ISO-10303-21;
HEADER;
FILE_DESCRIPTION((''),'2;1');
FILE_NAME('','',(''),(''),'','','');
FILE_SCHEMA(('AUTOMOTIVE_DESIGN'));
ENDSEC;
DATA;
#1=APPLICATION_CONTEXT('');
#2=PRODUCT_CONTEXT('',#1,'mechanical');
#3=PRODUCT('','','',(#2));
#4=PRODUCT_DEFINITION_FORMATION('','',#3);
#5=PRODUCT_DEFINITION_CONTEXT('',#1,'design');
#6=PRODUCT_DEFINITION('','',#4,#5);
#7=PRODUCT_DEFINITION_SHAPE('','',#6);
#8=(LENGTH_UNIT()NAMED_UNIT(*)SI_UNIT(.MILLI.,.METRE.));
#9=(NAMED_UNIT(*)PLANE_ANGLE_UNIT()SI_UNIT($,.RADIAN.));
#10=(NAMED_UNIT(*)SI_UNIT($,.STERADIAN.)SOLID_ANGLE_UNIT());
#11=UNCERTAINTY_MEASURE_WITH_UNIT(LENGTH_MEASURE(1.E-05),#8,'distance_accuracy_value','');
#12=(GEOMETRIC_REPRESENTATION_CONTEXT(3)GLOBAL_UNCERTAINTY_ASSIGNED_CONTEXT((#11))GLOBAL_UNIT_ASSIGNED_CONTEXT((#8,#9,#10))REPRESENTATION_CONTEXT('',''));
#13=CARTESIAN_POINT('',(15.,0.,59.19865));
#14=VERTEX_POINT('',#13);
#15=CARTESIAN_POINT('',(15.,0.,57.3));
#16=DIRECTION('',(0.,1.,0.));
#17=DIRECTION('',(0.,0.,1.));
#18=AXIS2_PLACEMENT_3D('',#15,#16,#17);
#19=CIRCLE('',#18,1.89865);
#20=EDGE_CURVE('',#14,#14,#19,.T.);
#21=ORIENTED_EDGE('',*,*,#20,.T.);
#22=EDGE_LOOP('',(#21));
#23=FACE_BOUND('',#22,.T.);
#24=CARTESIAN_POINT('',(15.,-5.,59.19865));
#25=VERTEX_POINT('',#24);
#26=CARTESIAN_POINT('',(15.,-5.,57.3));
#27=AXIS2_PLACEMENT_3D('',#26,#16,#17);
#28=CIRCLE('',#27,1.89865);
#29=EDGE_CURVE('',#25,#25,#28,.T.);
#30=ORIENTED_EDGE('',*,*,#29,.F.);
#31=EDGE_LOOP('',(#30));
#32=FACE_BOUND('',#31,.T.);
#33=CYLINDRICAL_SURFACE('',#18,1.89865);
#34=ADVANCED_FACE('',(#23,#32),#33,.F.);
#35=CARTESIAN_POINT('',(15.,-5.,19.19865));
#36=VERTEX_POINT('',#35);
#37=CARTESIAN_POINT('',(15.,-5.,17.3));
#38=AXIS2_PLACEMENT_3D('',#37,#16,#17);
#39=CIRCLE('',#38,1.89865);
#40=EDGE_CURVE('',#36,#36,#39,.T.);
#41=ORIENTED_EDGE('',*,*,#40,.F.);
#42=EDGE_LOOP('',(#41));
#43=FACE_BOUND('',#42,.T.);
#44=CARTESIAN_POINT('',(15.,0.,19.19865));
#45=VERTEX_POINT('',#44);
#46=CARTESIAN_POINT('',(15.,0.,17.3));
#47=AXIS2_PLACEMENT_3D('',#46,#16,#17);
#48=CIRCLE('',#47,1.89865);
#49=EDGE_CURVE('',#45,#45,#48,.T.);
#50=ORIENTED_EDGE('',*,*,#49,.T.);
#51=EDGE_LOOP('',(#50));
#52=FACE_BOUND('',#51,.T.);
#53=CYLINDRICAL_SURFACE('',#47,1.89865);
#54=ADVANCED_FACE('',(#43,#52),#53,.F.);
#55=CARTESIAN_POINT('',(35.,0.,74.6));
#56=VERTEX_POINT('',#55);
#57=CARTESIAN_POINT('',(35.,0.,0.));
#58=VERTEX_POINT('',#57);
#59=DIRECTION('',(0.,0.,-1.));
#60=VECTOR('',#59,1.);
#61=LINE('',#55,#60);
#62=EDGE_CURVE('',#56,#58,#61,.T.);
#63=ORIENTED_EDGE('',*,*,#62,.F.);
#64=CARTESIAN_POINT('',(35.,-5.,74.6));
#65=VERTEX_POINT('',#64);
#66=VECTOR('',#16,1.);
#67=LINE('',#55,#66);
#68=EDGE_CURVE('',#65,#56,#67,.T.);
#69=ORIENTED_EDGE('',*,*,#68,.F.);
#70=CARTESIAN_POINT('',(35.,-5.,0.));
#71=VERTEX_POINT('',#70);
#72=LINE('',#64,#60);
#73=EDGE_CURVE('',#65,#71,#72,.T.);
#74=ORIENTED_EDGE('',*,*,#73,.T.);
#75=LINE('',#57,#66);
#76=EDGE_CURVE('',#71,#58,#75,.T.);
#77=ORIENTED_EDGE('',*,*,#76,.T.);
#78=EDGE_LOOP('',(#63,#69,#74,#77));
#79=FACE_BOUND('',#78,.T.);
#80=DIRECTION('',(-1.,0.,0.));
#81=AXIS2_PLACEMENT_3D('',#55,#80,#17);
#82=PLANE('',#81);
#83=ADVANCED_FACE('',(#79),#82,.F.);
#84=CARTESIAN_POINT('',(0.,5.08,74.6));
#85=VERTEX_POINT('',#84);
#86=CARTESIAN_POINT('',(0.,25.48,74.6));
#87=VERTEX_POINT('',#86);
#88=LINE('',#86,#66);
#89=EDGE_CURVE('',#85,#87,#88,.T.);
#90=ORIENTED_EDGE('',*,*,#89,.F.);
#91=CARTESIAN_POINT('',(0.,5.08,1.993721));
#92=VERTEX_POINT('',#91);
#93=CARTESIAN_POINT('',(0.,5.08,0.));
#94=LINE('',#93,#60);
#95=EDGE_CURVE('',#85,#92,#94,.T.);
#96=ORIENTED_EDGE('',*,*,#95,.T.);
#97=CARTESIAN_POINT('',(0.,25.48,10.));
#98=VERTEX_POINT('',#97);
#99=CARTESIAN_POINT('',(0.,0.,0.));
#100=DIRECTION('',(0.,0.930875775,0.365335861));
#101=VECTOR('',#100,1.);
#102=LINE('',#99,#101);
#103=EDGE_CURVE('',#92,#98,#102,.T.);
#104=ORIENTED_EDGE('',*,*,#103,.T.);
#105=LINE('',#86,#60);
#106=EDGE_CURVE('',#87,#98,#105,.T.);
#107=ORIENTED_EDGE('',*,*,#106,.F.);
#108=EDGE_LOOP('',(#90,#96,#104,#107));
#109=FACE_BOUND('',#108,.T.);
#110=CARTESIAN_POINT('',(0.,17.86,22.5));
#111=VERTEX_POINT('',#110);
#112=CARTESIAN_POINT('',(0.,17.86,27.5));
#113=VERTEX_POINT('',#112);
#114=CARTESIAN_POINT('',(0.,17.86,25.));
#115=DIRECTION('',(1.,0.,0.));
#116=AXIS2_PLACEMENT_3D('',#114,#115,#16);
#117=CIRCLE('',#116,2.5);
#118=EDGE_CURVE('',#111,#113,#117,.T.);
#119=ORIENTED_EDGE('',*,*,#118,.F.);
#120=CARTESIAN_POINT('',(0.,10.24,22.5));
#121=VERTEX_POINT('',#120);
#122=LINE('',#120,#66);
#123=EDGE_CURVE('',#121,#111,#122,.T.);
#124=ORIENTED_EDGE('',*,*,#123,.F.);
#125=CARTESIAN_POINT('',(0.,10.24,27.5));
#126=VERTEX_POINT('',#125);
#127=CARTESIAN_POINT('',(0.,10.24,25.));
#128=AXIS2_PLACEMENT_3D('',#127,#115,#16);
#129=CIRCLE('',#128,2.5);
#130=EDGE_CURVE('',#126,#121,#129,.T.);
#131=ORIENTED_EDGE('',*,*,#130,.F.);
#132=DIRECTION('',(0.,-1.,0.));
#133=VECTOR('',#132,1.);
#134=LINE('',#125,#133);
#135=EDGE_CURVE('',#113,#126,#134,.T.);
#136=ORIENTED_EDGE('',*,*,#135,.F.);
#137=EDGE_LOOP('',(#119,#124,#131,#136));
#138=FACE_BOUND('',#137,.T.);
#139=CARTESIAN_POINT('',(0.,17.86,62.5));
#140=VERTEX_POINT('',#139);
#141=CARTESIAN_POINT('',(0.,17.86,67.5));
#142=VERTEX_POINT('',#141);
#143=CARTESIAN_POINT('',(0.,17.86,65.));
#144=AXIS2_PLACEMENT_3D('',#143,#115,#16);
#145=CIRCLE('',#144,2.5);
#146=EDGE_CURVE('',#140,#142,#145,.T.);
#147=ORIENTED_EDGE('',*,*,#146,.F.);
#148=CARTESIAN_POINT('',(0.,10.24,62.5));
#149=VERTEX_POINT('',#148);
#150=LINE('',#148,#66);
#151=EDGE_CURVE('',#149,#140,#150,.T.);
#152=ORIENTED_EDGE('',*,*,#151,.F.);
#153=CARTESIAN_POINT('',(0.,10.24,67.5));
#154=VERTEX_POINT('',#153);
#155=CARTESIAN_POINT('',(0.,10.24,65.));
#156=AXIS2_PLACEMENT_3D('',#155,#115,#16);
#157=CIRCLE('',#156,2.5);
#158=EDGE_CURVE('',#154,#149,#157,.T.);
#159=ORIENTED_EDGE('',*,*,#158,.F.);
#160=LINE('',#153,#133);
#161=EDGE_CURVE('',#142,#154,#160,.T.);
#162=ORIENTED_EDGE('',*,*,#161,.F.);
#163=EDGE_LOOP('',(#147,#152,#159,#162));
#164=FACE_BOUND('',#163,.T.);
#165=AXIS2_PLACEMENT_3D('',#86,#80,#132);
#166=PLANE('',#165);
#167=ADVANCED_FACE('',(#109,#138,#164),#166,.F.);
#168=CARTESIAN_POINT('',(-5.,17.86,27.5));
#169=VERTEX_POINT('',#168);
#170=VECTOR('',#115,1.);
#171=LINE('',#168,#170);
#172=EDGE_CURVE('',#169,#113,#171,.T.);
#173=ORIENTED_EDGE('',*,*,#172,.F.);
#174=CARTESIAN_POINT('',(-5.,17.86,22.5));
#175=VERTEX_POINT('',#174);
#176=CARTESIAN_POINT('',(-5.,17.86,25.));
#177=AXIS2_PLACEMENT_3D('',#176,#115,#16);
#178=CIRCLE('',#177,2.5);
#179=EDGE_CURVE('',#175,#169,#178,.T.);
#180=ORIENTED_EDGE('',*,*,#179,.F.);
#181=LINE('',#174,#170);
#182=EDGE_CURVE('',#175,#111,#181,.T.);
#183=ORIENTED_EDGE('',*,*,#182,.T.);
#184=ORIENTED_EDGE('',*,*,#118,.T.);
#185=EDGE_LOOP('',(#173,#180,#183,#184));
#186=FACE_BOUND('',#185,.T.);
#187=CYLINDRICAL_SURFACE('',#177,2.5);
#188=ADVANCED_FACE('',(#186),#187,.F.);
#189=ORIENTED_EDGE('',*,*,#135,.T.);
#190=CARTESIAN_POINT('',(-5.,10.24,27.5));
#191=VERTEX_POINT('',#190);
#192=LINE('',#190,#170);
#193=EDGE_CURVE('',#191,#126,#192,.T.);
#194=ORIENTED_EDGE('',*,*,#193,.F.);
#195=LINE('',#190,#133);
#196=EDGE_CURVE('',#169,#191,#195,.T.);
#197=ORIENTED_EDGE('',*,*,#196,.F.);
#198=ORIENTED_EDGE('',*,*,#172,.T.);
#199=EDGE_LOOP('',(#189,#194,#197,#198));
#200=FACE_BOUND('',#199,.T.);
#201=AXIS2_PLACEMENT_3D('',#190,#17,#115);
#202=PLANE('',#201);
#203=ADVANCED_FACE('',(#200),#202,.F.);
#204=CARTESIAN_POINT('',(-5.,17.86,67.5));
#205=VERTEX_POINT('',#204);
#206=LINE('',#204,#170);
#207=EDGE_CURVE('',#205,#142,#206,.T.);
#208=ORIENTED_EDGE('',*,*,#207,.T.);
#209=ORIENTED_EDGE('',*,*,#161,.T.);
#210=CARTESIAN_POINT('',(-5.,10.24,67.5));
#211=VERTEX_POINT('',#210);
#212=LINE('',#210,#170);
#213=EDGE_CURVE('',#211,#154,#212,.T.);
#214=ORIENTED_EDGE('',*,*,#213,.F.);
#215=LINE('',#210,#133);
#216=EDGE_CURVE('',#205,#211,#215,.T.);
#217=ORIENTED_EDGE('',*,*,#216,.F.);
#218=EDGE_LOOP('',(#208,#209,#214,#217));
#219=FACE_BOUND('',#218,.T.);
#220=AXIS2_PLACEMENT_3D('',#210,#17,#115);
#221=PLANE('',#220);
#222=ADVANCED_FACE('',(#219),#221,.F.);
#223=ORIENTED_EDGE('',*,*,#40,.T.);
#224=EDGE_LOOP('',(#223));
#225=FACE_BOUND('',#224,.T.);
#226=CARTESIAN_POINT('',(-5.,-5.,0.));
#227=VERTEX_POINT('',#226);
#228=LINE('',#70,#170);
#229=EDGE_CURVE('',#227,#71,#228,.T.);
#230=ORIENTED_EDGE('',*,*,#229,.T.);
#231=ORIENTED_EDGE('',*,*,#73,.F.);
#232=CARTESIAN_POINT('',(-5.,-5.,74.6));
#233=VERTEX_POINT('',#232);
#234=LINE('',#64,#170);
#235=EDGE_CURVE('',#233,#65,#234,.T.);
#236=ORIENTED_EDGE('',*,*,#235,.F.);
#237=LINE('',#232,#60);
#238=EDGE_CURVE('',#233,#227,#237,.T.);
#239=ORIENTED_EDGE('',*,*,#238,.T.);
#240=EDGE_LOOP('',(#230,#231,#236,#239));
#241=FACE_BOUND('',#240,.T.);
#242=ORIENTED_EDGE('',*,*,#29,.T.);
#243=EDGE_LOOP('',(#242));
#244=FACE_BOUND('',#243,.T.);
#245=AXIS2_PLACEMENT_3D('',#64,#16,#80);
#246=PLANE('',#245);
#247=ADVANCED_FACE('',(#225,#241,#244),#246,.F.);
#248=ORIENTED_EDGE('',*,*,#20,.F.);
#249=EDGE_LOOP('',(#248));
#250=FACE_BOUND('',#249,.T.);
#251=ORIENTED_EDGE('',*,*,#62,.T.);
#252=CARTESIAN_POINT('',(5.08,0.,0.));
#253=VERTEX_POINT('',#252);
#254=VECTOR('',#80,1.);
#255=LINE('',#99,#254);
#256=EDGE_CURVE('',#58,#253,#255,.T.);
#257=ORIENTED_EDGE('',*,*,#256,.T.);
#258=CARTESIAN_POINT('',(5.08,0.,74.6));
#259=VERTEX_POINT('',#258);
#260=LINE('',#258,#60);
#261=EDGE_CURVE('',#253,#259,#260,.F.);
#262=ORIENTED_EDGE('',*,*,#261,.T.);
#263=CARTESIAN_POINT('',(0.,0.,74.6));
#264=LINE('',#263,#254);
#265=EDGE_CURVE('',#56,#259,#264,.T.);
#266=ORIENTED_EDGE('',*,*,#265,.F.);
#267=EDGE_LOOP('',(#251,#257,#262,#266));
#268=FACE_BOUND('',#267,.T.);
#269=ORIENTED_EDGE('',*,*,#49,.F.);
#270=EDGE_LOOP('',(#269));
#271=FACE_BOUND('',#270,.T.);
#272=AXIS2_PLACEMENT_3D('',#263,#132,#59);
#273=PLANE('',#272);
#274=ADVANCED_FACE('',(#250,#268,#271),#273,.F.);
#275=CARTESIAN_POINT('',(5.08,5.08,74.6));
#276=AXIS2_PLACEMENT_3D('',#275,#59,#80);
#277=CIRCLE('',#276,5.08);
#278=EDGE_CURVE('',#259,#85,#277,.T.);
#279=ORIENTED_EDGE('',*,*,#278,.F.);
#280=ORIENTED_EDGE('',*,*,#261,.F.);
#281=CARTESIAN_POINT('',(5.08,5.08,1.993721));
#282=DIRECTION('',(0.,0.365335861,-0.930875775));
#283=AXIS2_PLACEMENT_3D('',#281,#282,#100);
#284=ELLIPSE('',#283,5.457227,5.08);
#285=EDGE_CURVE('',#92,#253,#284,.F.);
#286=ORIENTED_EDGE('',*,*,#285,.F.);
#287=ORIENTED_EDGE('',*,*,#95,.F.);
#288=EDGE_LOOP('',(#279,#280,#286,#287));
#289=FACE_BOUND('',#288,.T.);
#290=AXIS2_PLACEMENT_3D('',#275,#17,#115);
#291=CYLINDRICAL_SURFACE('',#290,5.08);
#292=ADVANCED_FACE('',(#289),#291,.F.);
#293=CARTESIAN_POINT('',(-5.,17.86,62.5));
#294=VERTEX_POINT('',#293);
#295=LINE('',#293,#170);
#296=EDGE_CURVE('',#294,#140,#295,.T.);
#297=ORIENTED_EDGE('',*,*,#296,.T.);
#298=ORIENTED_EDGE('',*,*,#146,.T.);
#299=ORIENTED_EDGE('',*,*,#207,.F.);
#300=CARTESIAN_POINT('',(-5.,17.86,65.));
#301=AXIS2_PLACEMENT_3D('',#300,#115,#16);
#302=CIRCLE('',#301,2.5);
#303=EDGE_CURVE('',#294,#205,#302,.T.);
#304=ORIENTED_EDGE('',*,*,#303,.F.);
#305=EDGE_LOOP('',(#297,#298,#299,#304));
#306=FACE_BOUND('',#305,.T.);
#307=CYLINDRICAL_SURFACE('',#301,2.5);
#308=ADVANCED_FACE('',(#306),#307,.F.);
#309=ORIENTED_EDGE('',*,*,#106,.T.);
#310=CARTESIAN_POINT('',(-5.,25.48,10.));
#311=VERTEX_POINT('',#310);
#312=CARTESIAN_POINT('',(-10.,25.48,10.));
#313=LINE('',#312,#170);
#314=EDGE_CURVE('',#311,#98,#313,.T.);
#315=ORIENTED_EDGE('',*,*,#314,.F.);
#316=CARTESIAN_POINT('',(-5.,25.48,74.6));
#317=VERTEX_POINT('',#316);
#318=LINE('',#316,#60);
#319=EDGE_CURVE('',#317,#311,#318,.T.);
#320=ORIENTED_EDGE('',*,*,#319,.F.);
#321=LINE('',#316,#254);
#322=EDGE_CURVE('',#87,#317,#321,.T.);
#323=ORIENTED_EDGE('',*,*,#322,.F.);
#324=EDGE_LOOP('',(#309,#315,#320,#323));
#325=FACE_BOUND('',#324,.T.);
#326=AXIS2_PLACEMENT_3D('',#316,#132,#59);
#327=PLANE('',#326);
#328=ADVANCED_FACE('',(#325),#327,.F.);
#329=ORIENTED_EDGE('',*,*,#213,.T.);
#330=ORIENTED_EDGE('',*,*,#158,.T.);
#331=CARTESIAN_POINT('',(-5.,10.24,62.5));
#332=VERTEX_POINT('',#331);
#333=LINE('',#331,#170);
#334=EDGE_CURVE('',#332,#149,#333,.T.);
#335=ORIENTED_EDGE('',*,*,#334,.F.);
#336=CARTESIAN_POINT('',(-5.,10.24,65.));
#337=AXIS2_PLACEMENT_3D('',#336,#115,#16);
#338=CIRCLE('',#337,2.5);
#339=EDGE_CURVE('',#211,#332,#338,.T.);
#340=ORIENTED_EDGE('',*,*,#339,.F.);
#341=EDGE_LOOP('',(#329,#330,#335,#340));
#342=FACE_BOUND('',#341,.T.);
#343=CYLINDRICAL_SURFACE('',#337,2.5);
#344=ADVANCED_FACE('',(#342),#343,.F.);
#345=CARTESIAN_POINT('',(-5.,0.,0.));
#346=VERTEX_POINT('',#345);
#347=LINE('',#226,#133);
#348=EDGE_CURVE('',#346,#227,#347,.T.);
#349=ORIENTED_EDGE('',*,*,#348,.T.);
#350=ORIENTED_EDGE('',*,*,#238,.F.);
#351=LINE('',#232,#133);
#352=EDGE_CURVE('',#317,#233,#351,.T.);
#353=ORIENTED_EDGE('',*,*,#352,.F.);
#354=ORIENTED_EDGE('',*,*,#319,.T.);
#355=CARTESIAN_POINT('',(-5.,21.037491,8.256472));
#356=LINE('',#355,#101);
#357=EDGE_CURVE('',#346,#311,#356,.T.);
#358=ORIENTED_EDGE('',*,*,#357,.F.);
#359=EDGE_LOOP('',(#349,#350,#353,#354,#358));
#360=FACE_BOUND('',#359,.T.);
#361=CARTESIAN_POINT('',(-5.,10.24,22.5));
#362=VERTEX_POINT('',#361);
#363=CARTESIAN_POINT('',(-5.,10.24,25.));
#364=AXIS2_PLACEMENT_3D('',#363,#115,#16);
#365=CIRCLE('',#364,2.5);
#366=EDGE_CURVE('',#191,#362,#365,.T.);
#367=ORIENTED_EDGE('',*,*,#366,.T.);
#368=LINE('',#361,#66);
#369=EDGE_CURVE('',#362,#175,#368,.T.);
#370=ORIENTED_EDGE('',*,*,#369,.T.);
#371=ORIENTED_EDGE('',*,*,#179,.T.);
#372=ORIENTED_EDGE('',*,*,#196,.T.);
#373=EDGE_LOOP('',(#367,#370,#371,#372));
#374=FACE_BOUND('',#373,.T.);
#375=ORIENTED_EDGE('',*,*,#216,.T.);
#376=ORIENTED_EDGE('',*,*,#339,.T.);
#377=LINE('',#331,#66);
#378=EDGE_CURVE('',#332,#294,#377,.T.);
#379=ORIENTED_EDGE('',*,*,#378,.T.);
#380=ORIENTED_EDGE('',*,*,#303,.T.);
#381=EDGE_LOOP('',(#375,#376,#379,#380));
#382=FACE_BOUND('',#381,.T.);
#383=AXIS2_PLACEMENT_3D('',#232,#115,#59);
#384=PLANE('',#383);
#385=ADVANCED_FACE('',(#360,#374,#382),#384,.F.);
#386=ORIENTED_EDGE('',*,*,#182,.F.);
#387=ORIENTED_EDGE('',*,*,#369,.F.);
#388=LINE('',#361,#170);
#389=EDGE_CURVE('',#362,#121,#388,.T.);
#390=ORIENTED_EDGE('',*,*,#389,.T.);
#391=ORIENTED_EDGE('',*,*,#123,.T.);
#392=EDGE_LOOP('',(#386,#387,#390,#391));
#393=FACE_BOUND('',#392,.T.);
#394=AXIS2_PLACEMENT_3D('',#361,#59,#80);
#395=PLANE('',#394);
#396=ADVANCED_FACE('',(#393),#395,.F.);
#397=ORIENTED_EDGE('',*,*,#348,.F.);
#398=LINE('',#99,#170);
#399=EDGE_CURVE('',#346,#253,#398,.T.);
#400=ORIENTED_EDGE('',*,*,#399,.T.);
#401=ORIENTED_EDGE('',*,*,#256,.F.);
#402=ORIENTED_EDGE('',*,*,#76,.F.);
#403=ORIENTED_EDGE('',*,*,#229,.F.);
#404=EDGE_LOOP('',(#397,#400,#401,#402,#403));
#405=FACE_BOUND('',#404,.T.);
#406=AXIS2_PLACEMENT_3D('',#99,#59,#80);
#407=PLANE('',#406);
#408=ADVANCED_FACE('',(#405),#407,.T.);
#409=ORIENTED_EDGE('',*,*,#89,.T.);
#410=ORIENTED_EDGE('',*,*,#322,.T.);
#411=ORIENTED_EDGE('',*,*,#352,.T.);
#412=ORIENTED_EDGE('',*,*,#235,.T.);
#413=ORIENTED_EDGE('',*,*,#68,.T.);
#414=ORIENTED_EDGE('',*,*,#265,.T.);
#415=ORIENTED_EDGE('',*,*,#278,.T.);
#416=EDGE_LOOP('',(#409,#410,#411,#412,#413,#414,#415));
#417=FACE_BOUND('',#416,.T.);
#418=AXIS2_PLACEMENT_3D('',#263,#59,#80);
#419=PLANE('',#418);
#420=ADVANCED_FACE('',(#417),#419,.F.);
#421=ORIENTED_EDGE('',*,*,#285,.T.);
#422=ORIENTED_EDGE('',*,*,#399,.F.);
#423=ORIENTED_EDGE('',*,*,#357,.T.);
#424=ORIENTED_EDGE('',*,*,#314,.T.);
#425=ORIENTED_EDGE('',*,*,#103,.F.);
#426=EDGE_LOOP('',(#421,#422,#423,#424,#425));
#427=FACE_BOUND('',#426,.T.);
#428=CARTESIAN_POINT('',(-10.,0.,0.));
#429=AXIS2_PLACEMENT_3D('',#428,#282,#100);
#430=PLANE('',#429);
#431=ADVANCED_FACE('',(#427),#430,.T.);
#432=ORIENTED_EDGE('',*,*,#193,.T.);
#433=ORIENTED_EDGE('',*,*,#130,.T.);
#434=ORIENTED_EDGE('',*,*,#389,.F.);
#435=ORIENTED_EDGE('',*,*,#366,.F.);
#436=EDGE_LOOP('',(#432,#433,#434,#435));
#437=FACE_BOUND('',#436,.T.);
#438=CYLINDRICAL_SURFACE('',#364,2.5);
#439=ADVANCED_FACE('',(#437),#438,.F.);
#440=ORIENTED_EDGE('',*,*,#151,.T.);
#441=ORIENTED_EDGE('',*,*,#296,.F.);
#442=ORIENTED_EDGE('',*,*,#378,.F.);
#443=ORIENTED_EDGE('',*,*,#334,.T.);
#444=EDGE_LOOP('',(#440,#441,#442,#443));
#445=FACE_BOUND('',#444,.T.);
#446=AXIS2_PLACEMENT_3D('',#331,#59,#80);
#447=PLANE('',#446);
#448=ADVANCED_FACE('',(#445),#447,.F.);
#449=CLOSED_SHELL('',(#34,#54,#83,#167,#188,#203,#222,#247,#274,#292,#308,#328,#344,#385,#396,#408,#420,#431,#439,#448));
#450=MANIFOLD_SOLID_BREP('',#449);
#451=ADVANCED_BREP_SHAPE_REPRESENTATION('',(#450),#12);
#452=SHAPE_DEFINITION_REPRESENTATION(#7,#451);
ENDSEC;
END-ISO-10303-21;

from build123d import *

# Parameters (mm, degrees)
BOSS_EXTRUDE1_DEPTH    = 74.6
CUT_EXTRUDE2_DEPTH     = 87.251900849
CUT_EXTRUDE3_DEPTH     = 10
FILLET1_R              = 5.08
F_10_24_TAPPED_HOLE1_D = 3.7973


with BuildPart() as part:
    # Sketch1 → Boss-Extrude1 (new body)
    with BuildSketch(Plane.XY):
        Polygon((0, 25.48), (0, 0), (35, 0), (35, -5), (-5, -5), (-5, 25.48), align=None)
    extrude(amount=BOSS_EXTRUDE1_DEPTH)

    # Sketch3 → Cut-Extrude2 (cut, through all)
    with BuildSketch(Plane(origin=(0, 0, 0), x_dir=(0, 0, -1), z_dir=(1, 0, 0))):
        with BuildLine():
            Line((-67.5, 10.24), (-67.5, 17.86))
            ThreePointArc((-67.5, 17.86), (-65, 20.36), (-62.5, 17.86))
            Line((-62.5, 17.86), (-62.5, 10.24))
            ThreePointArc((-62.5, 10.24), (-65, 7.74), (-67.5, 10.24))
        make_face()
        with BuildLine():
            Line((-27.5, 10.24), (-27.5, 17.86))
            ThreePointArc((-27.5, 17.86), (-25, 20.36), (-22.5, 17.86))
            Line((-22.5, 17.86), (-22.5, 10.24))
            ThreePointArc((-22.5, 10.24), (-25, 7.74), (-27.5, 10.24))
        make_face()
    extrude(amount=-CUT_EXTRUDE2_DEPTH, mode=Mode.SUBTRACT)

    # Sketch4 → Cut-Extrude3 (cut)
    with BuildSketch(Plane(origin=(0, 0, 0), x_dir=(0, 0, -1), z_dir=(1, 0, 0))):
        Polygon((-10, 25.48), (0, 0), (0, 25.48), align=None)
    extrude(amount=-CUT_EXTRUDE3_DEPTH, mode=Mode.SUBTRACT)

    # Fillet1
    fillet1_edges = [part.edges().sort_by_distance(p)[0] for p in [
        (0, 0, 37.3),
    ]]
    fillet(fillet1_edges, radius=FILLET1_R)

    # #10-24 Tapped Hole1 (through all)
    with Locations(Plane(origin=(0, 0, 0), x_dir=(1, 0, 0), z_dir=(0, 1, 0))):
        with Locations((15, -17.3), (15, -57.3)):
            Hole(F_10_24_TAPPED_HOLE1_D / 2)


solid = part.part
